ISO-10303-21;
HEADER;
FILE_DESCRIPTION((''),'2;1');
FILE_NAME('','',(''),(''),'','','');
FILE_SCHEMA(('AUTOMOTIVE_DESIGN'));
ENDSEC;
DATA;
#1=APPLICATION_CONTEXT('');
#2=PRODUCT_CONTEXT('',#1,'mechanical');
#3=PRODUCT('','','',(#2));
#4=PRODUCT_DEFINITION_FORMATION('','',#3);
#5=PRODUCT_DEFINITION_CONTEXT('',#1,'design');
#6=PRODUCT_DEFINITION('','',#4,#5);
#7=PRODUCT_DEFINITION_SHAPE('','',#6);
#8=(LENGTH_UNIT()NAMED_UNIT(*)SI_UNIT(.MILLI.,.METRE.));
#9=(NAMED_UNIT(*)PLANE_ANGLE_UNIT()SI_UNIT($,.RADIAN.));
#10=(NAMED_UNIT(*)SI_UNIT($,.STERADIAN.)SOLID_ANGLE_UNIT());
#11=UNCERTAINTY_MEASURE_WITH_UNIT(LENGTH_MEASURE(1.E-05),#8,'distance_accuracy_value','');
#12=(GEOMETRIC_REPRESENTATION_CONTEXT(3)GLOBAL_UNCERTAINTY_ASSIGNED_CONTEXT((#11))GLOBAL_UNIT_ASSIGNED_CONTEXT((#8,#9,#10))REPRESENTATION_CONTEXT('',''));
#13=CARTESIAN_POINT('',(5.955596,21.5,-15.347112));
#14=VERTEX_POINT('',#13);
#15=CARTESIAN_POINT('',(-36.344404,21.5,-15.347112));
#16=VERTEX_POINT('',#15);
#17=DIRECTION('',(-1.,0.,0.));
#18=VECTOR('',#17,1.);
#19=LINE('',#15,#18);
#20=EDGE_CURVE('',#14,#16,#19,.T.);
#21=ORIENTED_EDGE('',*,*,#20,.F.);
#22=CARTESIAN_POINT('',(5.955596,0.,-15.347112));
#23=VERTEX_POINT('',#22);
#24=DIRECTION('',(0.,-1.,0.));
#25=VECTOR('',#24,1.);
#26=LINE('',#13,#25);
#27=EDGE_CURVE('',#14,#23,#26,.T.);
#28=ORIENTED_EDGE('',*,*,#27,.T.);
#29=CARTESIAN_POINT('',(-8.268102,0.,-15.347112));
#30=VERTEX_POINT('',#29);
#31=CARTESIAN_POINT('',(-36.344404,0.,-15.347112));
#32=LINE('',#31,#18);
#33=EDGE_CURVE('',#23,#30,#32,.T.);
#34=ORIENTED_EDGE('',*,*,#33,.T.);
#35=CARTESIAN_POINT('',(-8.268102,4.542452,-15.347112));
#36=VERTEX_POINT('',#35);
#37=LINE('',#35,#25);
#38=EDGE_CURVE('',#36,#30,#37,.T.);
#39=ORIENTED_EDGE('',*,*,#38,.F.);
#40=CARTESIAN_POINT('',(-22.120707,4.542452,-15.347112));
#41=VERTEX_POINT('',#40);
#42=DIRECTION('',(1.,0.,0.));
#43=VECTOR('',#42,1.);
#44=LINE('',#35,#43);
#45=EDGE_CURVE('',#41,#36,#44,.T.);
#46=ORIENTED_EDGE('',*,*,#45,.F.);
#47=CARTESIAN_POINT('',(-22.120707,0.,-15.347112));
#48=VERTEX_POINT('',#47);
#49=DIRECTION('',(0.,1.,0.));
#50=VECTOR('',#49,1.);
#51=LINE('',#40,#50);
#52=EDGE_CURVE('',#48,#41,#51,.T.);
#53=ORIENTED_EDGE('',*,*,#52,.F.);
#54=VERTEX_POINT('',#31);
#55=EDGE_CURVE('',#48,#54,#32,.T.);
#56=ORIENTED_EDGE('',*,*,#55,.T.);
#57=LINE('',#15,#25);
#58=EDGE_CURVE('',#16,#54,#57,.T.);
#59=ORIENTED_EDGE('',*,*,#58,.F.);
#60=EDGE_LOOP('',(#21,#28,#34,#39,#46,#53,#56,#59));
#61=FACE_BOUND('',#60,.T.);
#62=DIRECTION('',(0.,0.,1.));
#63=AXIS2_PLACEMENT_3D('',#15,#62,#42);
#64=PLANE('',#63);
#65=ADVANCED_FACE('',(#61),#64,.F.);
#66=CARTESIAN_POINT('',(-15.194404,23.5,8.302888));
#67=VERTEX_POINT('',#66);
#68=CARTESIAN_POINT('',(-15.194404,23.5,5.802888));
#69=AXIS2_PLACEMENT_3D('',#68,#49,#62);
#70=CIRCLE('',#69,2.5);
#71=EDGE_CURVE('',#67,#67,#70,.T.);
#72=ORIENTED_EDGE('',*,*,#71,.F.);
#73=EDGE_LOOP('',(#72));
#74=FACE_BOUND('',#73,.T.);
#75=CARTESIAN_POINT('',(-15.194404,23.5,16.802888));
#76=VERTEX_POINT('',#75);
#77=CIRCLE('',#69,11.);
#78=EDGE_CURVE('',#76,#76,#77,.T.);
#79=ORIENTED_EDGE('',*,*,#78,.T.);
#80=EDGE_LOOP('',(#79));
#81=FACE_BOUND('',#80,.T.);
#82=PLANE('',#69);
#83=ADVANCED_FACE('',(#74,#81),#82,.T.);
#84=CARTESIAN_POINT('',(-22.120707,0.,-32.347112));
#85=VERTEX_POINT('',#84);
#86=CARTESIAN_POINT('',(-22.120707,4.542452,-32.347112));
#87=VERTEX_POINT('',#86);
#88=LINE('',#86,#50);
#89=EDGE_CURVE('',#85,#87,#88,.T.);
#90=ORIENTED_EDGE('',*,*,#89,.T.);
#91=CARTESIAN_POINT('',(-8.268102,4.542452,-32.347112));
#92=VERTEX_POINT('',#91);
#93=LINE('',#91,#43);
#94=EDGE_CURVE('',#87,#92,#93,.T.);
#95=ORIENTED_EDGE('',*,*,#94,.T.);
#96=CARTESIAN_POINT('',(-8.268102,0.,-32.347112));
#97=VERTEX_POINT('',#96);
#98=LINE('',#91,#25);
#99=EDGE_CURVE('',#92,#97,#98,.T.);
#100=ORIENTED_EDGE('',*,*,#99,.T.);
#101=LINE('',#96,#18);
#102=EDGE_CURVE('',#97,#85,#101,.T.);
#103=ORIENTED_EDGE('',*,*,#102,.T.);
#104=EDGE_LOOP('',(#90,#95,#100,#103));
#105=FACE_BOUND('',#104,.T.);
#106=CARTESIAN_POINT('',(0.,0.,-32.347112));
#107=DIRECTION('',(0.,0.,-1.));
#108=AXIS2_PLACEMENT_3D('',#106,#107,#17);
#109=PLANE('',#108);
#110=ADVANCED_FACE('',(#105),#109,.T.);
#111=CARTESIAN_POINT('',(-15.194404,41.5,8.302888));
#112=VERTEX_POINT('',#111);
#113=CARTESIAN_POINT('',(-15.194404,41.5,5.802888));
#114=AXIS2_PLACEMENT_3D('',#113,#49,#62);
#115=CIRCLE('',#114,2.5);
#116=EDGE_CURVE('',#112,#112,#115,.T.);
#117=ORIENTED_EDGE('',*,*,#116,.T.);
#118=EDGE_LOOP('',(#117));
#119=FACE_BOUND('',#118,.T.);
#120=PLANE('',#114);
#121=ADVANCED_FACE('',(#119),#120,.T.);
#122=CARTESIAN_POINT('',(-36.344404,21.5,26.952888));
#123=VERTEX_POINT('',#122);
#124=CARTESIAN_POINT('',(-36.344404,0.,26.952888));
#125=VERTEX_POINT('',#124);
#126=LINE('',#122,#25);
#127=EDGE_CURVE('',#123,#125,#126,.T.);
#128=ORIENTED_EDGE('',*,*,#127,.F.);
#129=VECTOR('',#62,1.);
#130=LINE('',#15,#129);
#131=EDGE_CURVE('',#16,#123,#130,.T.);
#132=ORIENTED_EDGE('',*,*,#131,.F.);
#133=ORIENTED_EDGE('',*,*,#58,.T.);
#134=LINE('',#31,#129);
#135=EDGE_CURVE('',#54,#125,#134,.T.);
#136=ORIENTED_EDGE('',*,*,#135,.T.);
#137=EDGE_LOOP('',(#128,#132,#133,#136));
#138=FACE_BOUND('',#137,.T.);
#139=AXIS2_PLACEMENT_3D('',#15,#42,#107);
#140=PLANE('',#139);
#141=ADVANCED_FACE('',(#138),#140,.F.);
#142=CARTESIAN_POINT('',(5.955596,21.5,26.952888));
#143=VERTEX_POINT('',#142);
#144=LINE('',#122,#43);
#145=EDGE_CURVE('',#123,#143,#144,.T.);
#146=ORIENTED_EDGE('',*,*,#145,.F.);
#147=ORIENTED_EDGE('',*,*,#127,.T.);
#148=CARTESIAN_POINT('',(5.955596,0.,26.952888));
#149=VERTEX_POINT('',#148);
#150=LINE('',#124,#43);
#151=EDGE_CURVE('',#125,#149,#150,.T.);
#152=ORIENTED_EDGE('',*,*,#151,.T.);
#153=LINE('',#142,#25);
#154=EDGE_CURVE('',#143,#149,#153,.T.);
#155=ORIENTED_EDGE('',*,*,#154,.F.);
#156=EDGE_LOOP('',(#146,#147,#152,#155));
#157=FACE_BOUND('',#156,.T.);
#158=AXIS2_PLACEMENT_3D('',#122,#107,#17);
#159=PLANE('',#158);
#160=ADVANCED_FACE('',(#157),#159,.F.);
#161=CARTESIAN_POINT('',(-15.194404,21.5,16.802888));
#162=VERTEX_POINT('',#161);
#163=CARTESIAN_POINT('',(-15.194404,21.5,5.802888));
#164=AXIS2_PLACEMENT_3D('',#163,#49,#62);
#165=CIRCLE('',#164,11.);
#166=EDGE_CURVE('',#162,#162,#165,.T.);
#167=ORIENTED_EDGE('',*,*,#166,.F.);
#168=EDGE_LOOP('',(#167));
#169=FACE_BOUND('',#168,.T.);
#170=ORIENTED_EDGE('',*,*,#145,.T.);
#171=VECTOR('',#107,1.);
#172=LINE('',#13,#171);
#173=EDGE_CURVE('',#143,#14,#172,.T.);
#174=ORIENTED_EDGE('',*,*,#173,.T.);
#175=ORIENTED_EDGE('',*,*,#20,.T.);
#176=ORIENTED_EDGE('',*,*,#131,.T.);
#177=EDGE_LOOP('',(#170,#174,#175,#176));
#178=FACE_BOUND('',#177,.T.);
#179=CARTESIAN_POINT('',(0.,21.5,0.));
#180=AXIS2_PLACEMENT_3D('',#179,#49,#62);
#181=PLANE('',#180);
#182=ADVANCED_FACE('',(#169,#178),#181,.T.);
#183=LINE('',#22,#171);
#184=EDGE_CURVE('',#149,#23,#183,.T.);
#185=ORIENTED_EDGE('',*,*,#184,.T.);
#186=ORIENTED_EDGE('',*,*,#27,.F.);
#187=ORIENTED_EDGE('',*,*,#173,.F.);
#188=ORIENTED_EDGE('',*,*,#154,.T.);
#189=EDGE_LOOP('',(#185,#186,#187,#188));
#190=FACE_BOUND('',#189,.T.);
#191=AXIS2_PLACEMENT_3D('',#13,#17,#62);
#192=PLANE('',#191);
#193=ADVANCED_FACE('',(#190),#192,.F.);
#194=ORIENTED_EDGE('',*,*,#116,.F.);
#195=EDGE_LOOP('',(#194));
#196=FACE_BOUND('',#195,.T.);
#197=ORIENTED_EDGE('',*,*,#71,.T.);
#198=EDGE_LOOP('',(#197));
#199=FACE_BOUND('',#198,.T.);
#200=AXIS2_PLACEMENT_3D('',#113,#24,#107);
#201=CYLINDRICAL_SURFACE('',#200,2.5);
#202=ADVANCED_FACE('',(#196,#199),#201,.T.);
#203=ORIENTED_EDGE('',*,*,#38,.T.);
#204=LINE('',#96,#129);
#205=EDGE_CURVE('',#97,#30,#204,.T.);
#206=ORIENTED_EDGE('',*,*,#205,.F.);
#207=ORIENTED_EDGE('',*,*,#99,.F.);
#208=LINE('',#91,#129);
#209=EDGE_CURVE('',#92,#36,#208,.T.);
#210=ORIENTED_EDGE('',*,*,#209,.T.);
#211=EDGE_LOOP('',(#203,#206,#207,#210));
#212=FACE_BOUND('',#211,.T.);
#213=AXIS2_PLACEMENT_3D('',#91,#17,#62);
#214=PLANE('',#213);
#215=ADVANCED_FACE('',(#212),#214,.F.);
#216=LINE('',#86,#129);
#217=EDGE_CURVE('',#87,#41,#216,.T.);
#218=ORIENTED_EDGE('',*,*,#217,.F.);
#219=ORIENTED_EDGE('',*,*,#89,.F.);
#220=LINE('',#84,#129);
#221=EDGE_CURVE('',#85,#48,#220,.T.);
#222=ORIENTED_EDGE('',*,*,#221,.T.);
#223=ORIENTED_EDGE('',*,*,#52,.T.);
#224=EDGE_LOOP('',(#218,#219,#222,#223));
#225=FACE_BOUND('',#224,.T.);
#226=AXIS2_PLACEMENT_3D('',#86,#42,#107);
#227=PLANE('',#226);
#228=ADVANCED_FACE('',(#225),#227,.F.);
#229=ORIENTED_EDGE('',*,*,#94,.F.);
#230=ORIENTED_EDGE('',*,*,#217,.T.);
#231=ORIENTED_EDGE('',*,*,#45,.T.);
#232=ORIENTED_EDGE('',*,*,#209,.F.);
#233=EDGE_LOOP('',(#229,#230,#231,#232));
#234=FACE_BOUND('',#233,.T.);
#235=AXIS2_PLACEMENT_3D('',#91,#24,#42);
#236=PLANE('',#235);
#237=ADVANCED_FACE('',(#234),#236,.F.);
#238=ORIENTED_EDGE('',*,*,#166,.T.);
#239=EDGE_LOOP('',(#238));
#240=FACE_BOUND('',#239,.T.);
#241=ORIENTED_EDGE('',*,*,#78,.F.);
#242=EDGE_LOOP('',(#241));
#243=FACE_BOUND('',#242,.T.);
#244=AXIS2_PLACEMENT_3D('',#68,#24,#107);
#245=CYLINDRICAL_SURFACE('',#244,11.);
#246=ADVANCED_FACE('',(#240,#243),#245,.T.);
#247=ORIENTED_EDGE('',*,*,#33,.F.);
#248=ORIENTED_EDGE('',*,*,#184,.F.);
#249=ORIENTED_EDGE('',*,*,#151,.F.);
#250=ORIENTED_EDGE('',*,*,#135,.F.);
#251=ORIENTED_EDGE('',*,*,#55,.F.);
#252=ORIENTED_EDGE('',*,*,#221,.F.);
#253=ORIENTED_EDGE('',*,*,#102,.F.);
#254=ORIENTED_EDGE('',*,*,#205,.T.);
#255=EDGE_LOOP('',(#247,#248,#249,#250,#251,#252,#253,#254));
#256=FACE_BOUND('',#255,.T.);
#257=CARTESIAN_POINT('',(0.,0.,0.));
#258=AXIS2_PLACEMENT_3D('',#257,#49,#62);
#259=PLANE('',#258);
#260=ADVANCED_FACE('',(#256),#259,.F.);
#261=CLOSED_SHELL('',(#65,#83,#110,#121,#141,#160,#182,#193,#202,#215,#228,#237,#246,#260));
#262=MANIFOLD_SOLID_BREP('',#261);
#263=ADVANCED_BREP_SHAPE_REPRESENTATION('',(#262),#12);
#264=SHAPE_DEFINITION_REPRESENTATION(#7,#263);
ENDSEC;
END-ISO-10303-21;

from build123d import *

# Parameters (mm, degrees)
SKETCH1_W           = 42.3
SKETCH1_H           = 42.3
BOSS_EXTRUDE1_DEPTH = 21.5
SKETCH2_R           = 11
BOSS_EXTRUDE2_DEPTH = 2
SKETCH3_R           = 2.5
BOSS_EXTRUDE3_DEPTH = 18
SKETCH4_W           = 13.852605362
SKETCH4_H           = 4.542451726
BOSS_EXTRUDE4_DEPTH = 17


with BuildPart() as part:
    # Sketch1 → Boss-Extrude1 (new body)
    with BuildSketch(Plane(origin=(0, 0, 0), x_dir=(1, 0, 0), z_dir=(0, 1, 0))):
        with Locations((-15.194404332, -5.802888087)):
            Rectangle(SKETCH1_W, SKETCH1_H)
    extrude(amount=BOSS_EXTRUDE1_DEPTH)

    # Sketch2 → Boss-Extrude2 (add)
    with BuildSketch(Plane(origin=(0, 21.5, 0), x_dir=(1, 0, 0), z_dir=(0, 1, 0))):
        with Locations((-15.194404332, -5.802888087)):
            Circle(SKETCH2_R)
    extrude(amount=BOSS_EXTRUDE2_DEPTH)

    # Sketch3 → Boss-Extrude3 (add)
    with BuildSketch(Plane(origin=(0, 23.5, 0), x_dir=(1, 0, 0), z_dir=(0, 1, 0))):
        with Locations((-15.194404332, -5.802888087)):
            Circle(SKETCH3_R)
    extrude(amount=BOSS_EXTRUDE3_DEPTH)

    # Sketch4 → Boss-Extrude4 (add)
    with BuildSketch(Plane(origin=(0, 0, -15.347111913), x_dir=(-1, 0, 0), z_dir=(0, 0, -1))):
        with Locations((15.194404332, 2.271225863)):
            Rectangle(SKETCH4_W, SKETCH4_H)
    extrude(amount=BOSS_EXTRUDE4_DEPTH)


solid = part.part
